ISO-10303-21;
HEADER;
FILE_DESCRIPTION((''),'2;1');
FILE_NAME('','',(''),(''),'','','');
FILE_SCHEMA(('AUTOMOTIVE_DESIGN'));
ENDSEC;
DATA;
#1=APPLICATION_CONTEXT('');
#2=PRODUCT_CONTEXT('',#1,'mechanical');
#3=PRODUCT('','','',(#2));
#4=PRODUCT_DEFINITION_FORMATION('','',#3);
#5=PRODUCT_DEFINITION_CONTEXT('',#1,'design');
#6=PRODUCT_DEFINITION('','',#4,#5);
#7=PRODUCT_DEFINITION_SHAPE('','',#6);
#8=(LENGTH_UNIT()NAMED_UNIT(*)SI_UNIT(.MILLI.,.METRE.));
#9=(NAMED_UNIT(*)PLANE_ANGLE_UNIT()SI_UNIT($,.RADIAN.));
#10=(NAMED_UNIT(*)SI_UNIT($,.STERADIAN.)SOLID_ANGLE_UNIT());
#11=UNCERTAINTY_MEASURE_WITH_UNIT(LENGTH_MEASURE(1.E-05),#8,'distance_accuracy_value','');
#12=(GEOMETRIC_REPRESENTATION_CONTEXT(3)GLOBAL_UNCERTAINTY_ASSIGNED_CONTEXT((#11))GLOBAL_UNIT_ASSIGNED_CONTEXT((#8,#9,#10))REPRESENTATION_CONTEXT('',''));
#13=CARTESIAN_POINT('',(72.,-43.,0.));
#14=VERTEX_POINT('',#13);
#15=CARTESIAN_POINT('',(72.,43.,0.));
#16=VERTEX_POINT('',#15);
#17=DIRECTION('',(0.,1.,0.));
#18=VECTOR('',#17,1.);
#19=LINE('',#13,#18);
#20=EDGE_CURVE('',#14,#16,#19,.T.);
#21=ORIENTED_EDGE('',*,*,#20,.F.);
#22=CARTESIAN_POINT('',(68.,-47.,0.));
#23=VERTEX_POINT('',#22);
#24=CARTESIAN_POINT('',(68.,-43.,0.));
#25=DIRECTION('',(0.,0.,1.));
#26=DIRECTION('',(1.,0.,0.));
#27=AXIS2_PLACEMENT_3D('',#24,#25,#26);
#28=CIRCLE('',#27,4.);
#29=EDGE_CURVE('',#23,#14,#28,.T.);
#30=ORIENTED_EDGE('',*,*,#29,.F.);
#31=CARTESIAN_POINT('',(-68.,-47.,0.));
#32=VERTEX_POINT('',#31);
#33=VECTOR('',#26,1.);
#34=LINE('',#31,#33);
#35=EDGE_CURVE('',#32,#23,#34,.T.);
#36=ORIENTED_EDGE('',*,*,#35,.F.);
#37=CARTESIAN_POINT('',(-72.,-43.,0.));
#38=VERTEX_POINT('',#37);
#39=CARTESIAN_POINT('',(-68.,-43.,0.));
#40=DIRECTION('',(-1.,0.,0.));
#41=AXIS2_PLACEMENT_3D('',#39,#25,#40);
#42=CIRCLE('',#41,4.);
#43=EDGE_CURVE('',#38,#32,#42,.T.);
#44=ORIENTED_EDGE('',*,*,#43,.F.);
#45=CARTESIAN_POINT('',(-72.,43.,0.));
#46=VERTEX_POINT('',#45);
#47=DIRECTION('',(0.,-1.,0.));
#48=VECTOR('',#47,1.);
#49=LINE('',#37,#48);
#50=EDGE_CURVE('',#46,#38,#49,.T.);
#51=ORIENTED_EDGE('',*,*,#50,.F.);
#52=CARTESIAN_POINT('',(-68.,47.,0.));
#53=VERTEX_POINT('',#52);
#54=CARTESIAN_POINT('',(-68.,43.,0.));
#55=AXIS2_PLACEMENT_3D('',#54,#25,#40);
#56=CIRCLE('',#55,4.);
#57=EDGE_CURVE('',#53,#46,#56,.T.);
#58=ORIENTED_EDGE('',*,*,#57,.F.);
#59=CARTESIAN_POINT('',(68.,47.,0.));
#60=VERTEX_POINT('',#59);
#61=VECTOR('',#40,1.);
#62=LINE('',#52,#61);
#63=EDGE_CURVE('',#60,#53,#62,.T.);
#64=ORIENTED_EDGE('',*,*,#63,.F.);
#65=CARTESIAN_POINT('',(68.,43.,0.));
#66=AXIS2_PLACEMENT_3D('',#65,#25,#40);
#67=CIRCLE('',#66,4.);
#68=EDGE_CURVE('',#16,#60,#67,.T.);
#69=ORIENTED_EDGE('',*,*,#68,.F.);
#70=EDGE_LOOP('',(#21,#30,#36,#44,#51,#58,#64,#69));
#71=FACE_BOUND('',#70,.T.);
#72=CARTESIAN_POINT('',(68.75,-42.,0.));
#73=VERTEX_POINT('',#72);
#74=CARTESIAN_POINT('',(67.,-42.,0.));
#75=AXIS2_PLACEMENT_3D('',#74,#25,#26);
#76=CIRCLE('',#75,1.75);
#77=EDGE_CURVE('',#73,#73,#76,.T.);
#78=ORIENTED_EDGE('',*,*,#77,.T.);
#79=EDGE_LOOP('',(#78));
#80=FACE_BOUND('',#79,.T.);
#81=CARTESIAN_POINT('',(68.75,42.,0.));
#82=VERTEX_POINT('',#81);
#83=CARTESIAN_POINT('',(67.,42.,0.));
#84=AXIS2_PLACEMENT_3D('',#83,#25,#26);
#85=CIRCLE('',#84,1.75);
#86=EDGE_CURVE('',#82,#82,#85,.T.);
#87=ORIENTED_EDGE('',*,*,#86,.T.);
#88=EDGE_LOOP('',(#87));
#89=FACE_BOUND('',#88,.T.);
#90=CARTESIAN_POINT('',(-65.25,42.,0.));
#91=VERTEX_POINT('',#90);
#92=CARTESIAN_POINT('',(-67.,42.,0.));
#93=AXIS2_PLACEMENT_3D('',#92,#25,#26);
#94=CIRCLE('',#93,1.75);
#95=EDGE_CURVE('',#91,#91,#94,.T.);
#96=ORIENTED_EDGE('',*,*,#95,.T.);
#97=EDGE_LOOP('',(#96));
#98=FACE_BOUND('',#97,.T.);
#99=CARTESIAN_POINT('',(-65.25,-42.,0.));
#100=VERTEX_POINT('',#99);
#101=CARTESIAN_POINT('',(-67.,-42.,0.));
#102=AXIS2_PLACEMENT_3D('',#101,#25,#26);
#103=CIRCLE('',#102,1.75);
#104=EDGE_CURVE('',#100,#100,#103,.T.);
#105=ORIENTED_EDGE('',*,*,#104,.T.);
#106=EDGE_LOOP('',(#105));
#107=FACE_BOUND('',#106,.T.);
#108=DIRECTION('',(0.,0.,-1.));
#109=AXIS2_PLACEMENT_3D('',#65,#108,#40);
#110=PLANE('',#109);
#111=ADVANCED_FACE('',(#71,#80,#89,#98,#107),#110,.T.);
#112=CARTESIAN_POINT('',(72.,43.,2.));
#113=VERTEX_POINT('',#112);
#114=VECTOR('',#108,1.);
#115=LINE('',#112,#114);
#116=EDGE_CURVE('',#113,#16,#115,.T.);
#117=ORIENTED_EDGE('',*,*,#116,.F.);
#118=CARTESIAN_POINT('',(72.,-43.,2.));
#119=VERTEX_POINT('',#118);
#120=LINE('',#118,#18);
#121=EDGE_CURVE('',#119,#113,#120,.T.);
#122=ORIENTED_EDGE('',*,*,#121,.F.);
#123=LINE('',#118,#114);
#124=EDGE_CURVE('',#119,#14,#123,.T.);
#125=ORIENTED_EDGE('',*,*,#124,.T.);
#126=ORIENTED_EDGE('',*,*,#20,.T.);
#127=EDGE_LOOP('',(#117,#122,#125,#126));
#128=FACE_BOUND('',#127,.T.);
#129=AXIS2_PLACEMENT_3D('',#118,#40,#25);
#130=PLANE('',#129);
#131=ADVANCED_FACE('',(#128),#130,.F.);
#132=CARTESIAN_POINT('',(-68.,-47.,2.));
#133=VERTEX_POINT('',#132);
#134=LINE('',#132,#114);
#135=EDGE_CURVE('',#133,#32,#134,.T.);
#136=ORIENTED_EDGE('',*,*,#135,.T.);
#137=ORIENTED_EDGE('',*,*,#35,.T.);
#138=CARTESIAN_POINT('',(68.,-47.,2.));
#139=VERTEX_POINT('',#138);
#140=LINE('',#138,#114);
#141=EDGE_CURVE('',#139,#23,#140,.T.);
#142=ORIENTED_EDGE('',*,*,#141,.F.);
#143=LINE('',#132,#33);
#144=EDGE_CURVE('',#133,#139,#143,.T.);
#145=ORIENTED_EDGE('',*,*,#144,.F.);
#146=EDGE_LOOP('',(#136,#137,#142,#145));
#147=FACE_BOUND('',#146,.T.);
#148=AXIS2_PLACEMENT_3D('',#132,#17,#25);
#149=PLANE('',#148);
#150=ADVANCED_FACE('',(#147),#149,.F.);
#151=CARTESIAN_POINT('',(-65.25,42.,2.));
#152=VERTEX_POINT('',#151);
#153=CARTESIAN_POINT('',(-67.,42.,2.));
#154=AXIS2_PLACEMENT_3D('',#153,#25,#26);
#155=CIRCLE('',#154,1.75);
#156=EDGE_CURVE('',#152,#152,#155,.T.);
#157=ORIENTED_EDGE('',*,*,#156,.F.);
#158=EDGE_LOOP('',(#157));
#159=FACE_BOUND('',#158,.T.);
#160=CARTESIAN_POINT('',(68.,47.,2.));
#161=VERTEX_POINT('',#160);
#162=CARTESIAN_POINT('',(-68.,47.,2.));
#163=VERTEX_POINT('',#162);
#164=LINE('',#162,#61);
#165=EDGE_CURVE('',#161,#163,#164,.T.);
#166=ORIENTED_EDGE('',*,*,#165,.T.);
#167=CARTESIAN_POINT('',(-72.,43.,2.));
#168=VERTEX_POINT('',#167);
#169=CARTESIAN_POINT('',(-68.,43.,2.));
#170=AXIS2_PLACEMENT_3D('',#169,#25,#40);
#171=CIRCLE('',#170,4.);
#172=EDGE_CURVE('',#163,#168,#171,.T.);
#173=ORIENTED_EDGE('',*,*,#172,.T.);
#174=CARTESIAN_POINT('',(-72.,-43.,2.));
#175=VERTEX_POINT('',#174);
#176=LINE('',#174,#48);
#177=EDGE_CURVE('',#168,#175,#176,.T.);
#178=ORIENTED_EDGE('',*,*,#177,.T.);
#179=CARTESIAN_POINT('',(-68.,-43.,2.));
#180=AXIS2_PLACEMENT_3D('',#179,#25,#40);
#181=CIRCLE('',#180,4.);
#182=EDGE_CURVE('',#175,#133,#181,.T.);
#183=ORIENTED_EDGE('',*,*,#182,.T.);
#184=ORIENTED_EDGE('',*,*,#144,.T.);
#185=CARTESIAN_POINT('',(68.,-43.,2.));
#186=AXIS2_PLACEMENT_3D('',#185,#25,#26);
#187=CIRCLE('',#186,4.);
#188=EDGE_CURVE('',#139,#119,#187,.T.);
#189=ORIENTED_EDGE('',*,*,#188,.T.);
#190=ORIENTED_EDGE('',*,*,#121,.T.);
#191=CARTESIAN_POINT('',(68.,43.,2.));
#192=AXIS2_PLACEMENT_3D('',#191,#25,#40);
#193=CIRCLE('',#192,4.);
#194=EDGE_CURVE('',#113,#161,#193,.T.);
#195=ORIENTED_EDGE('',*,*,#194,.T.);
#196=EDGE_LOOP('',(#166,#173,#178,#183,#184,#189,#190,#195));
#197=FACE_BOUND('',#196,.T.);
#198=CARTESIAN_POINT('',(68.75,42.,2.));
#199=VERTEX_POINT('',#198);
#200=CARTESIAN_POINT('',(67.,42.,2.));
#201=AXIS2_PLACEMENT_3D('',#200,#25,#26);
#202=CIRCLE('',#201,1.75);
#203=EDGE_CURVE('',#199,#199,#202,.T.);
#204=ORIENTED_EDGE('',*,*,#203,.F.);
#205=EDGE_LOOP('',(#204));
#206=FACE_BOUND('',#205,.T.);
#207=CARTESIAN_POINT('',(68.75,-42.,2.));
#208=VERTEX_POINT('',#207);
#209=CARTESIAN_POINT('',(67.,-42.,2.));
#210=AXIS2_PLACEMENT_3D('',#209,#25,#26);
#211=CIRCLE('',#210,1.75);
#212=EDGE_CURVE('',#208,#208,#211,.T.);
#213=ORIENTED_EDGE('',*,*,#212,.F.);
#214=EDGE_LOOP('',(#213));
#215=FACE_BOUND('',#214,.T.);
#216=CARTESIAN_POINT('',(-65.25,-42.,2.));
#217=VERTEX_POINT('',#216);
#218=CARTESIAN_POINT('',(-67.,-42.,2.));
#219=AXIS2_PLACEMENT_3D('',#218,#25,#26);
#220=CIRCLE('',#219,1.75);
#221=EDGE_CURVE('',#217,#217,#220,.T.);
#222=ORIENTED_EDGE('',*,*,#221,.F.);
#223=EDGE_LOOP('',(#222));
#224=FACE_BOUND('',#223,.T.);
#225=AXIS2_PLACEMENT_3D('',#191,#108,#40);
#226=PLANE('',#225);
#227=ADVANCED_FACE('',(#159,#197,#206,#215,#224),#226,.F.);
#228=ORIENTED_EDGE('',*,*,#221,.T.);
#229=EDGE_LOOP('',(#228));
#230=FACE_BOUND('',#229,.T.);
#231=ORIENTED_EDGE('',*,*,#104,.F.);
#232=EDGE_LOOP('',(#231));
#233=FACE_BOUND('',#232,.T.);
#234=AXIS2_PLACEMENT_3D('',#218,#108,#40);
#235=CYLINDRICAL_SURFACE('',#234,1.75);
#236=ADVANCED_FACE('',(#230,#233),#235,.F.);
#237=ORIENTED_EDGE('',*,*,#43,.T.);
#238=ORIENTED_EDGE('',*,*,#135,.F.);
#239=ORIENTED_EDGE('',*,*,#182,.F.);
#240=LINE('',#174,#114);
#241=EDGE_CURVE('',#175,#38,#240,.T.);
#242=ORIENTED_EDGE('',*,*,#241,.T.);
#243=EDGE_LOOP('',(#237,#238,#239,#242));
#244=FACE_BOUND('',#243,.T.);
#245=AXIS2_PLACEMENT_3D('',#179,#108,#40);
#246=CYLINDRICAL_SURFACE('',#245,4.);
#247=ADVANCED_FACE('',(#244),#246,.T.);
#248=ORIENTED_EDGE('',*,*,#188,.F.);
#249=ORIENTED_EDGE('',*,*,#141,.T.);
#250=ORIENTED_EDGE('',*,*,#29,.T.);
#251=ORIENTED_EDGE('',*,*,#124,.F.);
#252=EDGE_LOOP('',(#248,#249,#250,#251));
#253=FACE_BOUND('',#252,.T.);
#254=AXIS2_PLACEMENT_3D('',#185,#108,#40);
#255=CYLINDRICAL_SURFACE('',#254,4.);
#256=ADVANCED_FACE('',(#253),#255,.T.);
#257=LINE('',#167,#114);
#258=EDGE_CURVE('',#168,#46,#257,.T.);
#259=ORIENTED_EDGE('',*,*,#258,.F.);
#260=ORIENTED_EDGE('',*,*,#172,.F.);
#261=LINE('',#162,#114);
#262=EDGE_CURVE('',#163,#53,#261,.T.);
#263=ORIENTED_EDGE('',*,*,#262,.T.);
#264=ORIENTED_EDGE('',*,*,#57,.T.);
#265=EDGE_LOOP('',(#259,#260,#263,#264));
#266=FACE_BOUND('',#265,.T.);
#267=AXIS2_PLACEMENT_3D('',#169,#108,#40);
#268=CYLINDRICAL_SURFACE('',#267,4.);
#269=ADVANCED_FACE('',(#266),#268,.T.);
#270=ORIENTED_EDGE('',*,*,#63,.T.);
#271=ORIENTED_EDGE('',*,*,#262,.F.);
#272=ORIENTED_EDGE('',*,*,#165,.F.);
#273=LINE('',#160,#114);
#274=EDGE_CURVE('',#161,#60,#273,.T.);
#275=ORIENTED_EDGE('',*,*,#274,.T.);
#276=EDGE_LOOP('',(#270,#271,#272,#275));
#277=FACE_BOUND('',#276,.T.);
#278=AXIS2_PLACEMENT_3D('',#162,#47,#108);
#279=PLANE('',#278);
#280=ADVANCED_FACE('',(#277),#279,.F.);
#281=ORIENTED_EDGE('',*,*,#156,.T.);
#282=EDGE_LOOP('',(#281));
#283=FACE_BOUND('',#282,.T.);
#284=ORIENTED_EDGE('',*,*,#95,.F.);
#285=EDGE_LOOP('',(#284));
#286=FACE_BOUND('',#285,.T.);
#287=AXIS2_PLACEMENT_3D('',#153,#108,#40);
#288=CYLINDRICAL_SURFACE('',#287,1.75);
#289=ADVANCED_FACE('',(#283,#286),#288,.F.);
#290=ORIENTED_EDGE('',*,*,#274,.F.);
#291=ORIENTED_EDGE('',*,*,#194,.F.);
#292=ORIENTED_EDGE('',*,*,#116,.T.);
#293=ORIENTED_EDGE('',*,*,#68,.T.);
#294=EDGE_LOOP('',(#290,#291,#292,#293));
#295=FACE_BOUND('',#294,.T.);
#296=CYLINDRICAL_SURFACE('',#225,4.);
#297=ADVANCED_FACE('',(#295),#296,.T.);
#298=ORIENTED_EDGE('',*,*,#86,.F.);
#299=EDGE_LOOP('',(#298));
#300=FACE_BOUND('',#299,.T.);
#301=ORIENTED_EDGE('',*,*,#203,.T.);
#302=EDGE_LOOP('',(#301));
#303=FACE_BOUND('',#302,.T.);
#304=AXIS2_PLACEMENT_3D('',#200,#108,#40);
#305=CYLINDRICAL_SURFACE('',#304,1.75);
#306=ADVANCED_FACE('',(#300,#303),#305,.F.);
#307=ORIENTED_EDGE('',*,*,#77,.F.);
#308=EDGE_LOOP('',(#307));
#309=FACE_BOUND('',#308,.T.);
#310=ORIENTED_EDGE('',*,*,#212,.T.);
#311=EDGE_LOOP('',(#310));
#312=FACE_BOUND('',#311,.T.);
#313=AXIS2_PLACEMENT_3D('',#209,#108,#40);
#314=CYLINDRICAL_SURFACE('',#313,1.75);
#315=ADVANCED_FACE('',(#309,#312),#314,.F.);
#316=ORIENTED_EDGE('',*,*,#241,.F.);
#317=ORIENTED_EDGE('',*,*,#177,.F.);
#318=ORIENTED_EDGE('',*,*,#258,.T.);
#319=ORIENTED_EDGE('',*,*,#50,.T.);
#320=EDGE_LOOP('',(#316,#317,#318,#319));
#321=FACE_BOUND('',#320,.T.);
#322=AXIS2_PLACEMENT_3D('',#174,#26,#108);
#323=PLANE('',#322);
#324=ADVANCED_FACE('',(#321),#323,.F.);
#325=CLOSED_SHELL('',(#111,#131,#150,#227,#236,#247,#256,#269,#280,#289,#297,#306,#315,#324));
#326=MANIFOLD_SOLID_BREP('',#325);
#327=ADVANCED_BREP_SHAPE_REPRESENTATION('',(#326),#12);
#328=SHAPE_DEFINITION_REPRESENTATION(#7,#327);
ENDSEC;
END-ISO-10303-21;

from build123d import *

# Parameters (mm, degrees)
ESBO_O1_R                = 1.75
RESSALTO_EXTRUS_O1_DEPTH = 2


with BuildPart() as part:
    # Esboço1 → Ressalto-extrusão1 (new body)
    with BuildSketch(Plane.XY):
        with BuildLine():
            Line((-68, -47), (68, -47))
            ThreePointArc((68, -47), (70.828427125, -45.828427125), (72, -43))
            Line((72, -43), (72, 43))
            ThreePointArc((72, 43), (70.828427125, 45.828427125), (68, 47))
            Line((68, 47), (-68, 47))
            ThreePointArc((-68, 47), (-70.828427125, 45.828427125), (-72, 43))
            Line((-72, 43), (-72, -43))
            ThreePointArc((-72, -43), (-70.828427125, -45.828427125), (-68, -47))
        make_face()
        with Locations((-67, 42)):
            Circle(ESBO_O1_R, mode=Mode.SUBTRACT)
        with Locations((67, 42)):
            Circle(ESBO_O1_R, mode=Mode.SUBTRACT)
        with Locations((-67, -42)):
            Circle(ESBO_O1_R, mode=Mode.SUBTRACT)
        with Locations((67, -42)):
            Circle(ESBO_O1_R, mode=Mode.SUBTRACT)
    extrude(amount=RESSALTO_EXTRUS_O1_DEPTH)


solid = part.part
